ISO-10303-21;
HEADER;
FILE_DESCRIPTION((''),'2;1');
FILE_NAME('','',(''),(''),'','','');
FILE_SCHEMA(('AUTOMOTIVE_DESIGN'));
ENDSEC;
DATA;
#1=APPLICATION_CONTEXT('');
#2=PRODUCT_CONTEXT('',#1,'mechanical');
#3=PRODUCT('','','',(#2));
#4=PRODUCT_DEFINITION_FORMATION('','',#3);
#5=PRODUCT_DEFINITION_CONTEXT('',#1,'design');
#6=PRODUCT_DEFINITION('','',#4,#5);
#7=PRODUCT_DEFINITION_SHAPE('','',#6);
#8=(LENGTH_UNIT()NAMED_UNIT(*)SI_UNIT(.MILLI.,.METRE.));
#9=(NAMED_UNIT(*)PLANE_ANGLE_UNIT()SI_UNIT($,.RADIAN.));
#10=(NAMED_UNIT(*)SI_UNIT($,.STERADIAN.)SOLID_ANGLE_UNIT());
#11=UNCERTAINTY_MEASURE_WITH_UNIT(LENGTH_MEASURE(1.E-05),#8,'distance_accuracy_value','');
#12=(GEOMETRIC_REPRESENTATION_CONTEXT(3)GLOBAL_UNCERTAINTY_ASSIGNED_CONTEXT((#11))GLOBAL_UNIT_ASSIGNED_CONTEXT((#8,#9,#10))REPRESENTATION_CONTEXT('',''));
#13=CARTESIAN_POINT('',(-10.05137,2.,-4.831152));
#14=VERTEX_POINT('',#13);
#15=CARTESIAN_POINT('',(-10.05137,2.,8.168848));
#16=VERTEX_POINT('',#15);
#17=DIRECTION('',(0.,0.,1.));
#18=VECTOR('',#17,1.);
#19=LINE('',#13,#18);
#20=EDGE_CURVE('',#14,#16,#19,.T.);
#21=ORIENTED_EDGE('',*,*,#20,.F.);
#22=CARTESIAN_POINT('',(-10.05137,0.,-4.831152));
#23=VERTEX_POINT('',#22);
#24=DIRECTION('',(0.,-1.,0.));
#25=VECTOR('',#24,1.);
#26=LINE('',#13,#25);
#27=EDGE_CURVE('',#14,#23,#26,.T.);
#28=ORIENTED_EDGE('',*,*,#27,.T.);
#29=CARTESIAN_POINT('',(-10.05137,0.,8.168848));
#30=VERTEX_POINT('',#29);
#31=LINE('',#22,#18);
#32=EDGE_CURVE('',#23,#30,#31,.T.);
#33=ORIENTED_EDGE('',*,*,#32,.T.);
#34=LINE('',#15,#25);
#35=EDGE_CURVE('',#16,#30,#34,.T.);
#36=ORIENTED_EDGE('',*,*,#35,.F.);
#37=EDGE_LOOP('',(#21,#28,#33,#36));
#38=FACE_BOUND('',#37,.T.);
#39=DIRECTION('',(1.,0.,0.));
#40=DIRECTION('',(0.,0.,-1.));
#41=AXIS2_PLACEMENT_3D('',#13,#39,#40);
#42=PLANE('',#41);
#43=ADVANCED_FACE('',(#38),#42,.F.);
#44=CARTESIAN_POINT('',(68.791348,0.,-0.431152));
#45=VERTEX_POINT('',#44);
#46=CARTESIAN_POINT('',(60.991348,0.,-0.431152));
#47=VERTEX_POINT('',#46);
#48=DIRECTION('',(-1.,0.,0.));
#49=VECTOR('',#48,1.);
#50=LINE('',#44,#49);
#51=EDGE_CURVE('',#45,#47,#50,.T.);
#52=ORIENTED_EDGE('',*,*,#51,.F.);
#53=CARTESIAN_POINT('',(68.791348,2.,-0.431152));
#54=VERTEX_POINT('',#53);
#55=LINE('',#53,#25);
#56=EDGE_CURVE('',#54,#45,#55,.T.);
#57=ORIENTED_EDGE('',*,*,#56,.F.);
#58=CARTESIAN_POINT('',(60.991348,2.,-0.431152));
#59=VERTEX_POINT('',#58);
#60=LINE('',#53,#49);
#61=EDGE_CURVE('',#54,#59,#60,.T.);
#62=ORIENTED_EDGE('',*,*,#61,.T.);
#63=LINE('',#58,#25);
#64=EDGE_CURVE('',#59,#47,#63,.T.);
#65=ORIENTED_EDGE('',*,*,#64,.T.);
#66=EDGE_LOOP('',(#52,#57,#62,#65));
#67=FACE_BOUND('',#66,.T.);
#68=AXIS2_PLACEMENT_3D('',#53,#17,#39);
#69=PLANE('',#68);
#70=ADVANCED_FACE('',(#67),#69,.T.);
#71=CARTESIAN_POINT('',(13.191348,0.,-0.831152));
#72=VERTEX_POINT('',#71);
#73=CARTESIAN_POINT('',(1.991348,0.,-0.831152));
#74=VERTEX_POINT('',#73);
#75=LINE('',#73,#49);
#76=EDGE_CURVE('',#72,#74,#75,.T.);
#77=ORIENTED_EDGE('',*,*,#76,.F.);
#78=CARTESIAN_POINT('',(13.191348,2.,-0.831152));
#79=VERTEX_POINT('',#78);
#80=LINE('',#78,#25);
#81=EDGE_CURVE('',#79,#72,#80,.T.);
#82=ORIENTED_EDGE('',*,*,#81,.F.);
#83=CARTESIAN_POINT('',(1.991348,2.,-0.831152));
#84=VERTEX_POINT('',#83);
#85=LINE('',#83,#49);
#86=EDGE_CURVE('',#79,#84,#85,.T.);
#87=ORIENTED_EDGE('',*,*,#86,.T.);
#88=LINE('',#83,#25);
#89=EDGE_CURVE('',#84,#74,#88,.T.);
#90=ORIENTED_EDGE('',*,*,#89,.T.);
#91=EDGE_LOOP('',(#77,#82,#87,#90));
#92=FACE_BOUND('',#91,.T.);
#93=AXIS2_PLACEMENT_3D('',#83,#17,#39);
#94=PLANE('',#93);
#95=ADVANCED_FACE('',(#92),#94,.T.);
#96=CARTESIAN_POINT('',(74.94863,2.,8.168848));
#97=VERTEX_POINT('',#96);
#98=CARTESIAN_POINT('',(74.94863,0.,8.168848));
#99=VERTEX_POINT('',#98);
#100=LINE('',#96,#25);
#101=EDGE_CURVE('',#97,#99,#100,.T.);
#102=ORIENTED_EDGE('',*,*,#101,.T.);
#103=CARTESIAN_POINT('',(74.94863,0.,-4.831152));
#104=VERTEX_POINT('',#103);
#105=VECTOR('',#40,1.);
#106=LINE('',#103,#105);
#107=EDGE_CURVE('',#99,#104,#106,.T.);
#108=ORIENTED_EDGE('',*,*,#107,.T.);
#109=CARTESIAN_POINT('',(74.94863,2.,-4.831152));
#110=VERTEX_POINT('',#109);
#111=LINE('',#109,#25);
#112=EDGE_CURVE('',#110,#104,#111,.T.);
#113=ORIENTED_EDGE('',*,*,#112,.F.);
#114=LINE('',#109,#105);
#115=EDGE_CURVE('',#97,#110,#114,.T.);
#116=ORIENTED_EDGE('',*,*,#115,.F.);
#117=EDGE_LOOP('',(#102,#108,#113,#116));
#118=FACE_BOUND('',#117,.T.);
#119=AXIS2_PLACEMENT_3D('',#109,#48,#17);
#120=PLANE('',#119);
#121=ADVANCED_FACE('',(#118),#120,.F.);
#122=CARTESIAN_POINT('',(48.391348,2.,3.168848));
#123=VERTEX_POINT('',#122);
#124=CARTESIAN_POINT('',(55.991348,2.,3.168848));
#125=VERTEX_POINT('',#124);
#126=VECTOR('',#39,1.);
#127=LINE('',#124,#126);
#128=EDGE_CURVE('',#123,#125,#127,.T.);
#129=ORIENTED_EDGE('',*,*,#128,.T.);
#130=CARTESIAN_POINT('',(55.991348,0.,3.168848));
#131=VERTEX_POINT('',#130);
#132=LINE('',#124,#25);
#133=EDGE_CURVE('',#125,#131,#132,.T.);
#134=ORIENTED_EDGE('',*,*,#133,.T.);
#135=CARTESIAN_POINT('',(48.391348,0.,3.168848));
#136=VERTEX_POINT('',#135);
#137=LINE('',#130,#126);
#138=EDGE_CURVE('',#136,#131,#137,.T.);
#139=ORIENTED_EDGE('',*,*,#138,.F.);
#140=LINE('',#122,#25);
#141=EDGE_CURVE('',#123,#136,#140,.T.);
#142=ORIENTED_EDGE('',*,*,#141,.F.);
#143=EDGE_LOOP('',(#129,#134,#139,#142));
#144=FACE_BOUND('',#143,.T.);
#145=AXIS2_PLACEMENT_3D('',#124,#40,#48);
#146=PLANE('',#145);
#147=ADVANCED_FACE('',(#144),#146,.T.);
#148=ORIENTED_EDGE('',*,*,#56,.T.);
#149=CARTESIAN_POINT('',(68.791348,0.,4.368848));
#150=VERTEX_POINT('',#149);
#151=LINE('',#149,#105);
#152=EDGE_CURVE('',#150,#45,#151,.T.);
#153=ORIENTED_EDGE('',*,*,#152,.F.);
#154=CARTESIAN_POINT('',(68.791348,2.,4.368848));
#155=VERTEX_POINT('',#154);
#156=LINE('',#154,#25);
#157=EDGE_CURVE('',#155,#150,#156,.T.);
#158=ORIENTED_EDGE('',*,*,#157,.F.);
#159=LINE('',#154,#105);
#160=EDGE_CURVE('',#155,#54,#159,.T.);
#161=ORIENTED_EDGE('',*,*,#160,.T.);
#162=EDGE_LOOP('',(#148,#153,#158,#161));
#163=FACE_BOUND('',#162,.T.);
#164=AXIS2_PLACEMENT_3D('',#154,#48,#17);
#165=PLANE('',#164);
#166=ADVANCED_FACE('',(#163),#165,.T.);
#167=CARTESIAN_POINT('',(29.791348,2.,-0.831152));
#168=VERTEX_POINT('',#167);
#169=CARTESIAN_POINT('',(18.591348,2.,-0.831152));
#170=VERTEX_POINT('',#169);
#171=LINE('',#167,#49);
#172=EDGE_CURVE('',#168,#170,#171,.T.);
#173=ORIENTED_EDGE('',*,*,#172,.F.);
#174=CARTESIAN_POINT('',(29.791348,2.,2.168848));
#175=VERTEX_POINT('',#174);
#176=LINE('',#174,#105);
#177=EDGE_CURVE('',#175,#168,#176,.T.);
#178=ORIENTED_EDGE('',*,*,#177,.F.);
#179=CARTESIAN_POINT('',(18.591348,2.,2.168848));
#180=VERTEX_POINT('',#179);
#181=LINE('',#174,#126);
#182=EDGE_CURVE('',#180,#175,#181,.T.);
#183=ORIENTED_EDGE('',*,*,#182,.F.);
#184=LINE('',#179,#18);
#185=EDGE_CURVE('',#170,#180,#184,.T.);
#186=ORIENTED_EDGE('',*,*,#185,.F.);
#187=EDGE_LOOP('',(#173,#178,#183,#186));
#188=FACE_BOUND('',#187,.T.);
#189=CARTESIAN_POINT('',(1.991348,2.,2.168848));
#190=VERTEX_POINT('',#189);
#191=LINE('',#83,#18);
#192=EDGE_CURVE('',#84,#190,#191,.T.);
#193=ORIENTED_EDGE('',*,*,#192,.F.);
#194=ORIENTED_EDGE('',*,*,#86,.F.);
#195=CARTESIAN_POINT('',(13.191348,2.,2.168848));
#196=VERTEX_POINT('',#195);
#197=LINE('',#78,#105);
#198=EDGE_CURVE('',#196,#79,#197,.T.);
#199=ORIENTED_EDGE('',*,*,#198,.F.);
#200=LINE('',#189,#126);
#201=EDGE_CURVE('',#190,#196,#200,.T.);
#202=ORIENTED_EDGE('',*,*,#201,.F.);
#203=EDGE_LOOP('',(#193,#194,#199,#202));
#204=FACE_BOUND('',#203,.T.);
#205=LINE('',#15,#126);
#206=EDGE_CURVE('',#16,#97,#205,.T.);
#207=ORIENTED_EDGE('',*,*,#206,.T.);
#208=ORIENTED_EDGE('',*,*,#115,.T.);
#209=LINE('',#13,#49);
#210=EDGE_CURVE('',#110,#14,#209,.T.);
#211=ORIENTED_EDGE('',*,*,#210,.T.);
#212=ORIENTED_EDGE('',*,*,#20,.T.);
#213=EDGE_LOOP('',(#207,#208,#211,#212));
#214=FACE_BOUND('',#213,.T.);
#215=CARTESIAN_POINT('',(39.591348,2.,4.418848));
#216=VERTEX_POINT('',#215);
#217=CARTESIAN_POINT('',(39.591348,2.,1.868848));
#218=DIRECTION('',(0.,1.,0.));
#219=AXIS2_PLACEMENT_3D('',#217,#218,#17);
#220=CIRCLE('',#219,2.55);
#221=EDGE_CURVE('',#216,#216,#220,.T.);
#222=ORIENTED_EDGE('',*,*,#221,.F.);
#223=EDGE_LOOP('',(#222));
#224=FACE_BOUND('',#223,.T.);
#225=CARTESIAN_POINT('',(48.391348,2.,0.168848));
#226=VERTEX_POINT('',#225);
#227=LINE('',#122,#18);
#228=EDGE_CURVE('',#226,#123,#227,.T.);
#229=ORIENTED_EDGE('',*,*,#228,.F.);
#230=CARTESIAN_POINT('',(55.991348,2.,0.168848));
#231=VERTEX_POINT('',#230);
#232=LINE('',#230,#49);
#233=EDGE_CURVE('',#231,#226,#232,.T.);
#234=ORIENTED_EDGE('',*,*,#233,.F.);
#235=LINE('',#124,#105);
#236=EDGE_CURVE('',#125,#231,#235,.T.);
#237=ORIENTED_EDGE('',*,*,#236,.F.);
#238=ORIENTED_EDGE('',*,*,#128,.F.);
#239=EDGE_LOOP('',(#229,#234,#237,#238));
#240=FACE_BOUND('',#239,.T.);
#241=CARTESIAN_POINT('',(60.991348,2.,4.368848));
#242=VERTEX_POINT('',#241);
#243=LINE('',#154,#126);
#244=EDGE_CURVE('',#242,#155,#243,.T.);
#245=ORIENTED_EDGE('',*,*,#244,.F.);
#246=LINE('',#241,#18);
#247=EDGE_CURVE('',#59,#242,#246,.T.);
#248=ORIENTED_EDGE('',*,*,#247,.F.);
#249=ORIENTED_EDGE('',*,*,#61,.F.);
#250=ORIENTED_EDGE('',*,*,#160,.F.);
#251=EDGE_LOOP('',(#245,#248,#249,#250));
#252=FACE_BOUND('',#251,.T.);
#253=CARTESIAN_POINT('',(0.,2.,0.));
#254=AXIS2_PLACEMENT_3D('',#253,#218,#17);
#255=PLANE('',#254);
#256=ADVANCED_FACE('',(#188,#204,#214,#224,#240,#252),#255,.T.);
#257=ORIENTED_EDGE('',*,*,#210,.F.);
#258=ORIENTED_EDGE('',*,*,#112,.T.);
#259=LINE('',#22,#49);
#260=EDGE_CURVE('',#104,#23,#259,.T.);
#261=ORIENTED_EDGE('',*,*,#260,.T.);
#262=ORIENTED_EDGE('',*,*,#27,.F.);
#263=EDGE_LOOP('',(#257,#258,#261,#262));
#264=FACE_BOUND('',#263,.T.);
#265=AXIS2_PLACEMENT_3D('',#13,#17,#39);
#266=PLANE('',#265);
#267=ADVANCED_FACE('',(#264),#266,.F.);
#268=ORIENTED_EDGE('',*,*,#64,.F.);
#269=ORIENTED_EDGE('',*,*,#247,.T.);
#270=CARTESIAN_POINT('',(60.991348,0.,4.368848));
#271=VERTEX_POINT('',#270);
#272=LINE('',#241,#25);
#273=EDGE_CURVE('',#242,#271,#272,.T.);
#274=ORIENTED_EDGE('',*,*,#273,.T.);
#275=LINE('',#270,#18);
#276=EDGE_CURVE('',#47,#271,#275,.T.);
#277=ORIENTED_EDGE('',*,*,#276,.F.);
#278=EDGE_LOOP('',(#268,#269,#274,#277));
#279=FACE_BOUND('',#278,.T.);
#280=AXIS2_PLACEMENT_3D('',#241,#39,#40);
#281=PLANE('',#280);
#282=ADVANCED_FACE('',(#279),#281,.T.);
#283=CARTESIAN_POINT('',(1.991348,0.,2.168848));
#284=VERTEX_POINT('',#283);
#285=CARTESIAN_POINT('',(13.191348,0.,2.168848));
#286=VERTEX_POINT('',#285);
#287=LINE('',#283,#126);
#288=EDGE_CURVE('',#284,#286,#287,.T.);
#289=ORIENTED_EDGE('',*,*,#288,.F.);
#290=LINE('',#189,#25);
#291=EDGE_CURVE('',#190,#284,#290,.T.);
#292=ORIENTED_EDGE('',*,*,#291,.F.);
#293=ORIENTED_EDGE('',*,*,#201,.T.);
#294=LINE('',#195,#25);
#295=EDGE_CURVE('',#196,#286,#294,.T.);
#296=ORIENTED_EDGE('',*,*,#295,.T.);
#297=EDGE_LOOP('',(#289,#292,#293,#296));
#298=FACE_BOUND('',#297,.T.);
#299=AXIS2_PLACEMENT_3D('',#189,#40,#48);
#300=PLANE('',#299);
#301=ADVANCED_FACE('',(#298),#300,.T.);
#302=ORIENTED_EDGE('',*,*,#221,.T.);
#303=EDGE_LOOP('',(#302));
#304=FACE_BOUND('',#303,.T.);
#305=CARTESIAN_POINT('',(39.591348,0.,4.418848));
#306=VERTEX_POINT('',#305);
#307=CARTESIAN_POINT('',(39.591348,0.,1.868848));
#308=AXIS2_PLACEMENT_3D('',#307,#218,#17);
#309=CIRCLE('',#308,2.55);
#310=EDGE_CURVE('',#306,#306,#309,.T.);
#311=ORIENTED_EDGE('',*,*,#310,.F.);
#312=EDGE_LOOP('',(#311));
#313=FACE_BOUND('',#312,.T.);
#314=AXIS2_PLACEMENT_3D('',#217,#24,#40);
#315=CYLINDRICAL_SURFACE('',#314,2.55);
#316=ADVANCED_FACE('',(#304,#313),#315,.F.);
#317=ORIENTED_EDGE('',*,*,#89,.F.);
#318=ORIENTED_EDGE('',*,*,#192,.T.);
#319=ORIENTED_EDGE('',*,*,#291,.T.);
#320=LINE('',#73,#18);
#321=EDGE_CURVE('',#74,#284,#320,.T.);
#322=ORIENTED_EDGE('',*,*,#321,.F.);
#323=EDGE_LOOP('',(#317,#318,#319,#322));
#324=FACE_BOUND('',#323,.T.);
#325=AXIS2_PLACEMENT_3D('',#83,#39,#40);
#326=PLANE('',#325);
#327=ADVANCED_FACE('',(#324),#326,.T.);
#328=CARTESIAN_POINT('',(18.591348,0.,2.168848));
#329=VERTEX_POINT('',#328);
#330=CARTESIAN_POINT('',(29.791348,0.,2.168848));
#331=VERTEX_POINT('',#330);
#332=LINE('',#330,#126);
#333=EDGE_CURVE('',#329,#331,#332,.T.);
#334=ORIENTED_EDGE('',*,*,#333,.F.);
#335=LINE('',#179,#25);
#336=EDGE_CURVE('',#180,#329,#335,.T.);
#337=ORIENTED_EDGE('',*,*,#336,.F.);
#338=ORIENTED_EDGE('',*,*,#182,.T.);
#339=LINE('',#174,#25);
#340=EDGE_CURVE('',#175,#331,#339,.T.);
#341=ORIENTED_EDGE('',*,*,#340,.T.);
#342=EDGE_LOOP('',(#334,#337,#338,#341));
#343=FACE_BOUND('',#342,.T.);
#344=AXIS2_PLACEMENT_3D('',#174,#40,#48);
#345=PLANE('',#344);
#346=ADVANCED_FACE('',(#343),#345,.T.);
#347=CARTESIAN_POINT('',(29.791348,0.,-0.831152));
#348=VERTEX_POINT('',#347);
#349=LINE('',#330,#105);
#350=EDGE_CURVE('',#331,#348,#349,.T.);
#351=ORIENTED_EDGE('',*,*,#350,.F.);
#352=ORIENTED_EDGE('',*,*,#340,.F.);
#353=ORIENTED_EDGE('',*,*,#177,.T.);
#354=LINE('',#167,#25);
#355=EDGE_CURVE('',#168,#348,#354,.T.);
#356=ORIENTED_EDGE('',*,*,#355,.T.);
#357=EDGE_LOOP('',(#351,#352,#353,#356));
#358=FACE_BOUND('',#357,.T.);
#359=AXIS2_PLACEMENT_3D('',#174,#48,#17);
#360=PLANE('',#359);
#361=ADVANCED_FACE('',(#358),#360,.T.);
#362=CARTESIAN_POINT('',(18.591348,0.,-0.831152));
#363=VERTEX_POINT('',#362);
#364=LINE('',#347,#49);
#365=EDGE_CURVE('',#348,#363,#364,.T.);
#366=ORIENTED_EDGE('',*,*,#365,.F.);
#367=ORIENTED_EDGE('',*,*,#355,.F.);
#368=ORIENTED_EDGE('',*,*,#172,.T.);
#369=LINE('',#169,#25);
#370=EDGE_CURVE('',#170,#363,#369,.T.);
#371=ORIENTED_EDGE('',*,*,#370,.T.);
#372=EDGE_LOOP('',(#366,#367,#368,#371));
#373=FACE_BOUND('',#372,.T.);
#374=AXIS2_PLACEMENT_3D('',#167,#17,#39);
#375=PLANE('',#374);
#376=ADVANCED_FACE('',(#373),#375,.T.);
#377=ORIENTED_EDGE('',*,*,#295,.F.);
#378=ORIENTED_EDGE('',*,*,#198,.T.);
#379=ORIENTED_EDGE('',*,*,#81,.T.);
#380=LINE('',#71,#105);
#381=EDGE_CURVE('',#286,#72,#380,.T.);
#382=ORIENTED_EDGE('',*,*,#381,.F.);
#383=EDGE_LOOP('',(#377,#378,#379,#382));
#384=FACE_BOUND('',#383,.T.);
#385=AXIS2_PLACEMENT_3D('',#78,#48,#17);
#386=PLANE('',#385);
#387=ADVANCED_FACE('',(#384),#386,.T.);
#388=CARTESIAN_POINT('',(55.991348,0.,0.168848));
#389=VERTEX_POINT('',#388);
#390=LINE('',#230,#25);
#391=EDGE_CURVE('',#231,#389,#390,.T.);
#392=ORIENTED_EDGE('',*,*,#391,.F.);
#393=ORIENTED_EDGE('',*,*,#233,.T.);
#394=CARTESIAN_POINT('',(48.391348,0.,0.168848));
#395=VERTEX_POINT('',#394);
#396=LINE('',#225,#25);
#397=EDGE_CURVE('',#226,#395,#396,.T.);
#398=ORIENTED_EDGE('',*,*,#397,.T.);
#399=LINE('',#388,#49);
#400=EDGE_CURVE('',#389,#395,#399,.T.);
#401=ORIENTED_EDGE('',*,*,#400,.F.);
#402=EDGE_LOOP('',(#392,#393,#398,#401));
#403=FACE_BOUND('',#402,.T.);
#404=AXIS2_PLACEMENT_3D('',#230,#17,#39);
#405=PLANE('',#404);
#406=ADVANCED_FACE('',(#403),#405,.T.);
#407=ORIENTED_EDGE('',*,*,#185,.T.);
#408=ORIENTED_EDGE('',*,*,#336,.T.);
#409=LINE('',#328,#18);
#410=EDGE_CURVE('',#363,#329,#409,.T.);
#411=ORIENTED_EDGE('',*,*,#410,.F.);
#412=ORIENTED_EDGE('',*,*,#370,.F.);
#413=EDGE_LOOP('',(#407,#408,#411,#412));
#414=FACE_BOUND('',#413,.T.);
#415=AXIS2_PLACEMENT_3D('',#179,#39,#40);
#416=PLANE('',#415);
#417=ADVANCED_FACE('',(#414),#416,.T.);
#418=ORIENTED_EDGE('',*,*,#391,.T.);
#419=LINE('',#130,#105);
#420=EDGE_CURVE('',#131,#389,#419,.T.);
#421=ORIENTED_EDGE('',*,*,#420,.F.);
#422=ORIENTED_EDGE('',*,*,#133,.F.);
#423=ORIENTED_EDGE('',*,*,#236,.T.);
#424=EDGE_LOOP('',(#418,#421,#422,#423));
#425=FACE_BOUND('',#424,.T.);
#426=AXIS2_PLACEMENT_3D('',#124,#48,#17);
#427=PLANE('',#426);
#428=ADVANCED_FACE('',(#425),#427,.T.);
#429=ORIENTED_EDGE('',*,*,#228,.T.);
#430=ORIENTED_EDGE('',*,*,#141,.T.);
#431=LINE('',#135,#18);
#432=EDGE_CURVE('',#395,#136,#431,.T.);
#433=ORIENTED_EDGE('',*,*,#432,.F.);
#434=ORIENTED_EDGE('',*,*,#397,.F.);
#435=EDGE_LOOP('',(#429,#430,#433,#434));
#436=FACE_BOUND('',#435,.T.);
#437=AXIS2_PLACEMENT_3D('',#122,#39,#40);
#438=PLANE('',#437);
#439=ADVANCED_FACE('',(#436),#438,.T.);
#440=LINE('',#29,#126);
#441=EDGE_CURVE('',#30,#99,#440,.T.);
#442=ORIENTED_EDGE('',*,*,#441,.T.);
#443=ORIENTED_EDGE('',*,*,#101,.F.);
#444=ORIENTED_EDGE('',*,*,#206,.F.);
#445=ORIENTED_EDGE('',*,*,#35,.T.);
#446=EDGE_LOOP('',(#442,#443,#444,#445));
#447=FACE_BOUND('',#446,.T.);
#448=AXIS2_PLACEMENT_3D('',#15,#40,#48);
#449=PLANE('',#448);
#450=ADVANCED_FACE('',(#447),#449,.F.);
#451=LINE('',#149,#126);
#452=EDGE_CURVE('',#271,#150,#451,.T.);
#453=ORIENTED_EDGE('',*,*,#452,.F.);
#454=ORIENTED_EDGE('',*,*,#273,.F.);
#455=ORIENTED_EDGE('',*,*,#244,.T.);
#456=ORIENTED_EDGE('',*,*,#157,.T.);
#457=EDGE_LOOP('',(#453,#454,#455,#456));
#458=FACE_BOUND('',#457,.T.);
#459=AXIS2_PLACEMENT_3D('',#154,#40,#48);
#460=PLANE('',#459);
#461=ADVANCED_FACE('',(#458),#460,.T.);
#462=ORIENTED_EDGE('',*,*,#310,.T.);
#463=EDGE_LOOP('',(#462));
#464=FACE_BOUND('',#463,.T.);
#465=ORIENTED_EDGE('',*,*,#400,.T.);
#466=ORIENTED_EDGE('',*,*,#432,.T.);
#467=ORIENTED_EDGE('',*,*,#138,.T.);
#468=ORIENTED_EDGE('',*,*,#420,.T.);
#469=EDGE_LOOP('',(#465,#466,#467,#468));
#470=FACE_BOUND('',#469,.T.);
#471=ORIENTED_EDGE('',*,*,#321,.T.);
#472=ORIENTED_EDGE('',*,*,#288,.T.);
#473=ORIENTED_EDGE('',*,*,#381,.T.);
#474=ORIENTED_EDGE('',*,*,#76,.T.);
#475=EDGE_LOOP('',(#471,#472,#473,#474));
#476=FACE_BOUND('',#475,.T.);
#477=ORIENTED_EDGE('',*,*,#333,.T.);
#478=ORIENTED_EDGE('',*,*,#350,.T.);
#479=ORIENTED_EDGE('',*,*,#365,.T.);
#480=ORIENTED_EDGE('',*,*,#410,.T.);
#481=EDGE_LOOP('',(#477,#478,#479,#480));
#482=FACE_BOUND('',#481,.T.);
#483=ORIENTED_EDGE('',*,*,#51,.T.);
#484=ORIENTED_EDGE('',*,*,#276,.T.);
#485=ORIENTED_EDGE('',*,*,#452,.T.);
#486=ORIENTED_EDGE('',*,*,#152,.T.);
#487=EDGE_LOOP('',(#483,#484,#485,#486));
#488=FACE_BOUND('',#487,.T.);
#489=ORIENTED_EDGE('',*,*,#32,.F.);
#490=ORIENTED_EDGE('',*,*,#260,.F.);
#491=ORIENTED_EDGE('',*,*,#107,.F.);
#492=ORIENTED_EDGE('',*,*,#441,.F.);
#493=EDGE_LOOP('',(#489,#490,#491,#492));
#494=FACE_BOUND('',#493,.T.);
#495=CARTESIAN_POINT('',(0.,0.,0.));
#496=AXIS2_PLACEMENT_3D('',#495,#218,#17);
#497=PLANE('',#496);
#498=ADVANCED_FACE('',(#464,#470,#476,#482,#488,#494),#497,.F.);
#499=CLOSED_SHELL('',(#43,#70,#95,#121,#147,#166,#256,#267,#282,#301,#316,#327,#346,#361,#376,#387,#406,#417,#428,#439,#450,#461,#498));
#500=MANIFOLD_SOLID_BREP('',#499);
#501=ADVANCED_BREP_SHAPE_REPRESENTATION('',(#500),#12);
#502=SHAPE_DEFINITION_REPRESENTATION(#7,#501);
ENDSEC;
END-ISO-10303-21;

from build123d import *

# Parameters (mm, degrees)
SKETCH_1_W      = 85
SKETCH_1_H      = 13
SKETCH_1_R      = 2.55
SKETCH_1_W_2    = 7.8
SKETCH_1_H_2    = 4.8
SKETCH_1_W_3    = 7.6
SKETCH_1_H_3    = 3
SKETCH_1_W_4    = 11.2
EXTRUDE_2_DEPTH = 2


with BuildPart() as part:
    # 草图1 → 凸台-拉伸2 (new body)
    with BuildSketch(Plane(origin=(0, 0, 0), x_dir=(1, 0, 0), z_dir=(0, 1, 0))):
        with Locations((32.448630137, -1.668848032)):
            Rectangle(SKETCH_1_W, SKETCH_1_H)
        with Locations(Location((39.591348171, -1.868848032, 0), (0, 0, 270))):
            Circle(SKETCH_1_R, mode=Mode.SUBTRACT)
        with Locations((64.891348171, -1.968848032)):
            Rectangle(SKETCH_1_W_2, SKETCH_1_H_2, mode=Mode.SUBTRACT)
        with Locations((52.191348171, -1.668848032)):
            Rectangle(SKETCH_1_W_3, SKETCH_1_H_3, mode=Mode.SUBTRACT)
        with Locations((24.191348171, -0.668848032)):
            Rectangle(SKETCH_1_W_4, SKETCH_1_H_3, mode=Mode.SUBTRACT)
        with Locations((7.591348171, -0.668848032)):
            Rectangle(SKETCH_1_W_4, SKETCH_1_H_3, mode=Mode.SUBTRACT)
    extrude(amount=EXTRUDE_2_DEPTH)


solid = part.part
